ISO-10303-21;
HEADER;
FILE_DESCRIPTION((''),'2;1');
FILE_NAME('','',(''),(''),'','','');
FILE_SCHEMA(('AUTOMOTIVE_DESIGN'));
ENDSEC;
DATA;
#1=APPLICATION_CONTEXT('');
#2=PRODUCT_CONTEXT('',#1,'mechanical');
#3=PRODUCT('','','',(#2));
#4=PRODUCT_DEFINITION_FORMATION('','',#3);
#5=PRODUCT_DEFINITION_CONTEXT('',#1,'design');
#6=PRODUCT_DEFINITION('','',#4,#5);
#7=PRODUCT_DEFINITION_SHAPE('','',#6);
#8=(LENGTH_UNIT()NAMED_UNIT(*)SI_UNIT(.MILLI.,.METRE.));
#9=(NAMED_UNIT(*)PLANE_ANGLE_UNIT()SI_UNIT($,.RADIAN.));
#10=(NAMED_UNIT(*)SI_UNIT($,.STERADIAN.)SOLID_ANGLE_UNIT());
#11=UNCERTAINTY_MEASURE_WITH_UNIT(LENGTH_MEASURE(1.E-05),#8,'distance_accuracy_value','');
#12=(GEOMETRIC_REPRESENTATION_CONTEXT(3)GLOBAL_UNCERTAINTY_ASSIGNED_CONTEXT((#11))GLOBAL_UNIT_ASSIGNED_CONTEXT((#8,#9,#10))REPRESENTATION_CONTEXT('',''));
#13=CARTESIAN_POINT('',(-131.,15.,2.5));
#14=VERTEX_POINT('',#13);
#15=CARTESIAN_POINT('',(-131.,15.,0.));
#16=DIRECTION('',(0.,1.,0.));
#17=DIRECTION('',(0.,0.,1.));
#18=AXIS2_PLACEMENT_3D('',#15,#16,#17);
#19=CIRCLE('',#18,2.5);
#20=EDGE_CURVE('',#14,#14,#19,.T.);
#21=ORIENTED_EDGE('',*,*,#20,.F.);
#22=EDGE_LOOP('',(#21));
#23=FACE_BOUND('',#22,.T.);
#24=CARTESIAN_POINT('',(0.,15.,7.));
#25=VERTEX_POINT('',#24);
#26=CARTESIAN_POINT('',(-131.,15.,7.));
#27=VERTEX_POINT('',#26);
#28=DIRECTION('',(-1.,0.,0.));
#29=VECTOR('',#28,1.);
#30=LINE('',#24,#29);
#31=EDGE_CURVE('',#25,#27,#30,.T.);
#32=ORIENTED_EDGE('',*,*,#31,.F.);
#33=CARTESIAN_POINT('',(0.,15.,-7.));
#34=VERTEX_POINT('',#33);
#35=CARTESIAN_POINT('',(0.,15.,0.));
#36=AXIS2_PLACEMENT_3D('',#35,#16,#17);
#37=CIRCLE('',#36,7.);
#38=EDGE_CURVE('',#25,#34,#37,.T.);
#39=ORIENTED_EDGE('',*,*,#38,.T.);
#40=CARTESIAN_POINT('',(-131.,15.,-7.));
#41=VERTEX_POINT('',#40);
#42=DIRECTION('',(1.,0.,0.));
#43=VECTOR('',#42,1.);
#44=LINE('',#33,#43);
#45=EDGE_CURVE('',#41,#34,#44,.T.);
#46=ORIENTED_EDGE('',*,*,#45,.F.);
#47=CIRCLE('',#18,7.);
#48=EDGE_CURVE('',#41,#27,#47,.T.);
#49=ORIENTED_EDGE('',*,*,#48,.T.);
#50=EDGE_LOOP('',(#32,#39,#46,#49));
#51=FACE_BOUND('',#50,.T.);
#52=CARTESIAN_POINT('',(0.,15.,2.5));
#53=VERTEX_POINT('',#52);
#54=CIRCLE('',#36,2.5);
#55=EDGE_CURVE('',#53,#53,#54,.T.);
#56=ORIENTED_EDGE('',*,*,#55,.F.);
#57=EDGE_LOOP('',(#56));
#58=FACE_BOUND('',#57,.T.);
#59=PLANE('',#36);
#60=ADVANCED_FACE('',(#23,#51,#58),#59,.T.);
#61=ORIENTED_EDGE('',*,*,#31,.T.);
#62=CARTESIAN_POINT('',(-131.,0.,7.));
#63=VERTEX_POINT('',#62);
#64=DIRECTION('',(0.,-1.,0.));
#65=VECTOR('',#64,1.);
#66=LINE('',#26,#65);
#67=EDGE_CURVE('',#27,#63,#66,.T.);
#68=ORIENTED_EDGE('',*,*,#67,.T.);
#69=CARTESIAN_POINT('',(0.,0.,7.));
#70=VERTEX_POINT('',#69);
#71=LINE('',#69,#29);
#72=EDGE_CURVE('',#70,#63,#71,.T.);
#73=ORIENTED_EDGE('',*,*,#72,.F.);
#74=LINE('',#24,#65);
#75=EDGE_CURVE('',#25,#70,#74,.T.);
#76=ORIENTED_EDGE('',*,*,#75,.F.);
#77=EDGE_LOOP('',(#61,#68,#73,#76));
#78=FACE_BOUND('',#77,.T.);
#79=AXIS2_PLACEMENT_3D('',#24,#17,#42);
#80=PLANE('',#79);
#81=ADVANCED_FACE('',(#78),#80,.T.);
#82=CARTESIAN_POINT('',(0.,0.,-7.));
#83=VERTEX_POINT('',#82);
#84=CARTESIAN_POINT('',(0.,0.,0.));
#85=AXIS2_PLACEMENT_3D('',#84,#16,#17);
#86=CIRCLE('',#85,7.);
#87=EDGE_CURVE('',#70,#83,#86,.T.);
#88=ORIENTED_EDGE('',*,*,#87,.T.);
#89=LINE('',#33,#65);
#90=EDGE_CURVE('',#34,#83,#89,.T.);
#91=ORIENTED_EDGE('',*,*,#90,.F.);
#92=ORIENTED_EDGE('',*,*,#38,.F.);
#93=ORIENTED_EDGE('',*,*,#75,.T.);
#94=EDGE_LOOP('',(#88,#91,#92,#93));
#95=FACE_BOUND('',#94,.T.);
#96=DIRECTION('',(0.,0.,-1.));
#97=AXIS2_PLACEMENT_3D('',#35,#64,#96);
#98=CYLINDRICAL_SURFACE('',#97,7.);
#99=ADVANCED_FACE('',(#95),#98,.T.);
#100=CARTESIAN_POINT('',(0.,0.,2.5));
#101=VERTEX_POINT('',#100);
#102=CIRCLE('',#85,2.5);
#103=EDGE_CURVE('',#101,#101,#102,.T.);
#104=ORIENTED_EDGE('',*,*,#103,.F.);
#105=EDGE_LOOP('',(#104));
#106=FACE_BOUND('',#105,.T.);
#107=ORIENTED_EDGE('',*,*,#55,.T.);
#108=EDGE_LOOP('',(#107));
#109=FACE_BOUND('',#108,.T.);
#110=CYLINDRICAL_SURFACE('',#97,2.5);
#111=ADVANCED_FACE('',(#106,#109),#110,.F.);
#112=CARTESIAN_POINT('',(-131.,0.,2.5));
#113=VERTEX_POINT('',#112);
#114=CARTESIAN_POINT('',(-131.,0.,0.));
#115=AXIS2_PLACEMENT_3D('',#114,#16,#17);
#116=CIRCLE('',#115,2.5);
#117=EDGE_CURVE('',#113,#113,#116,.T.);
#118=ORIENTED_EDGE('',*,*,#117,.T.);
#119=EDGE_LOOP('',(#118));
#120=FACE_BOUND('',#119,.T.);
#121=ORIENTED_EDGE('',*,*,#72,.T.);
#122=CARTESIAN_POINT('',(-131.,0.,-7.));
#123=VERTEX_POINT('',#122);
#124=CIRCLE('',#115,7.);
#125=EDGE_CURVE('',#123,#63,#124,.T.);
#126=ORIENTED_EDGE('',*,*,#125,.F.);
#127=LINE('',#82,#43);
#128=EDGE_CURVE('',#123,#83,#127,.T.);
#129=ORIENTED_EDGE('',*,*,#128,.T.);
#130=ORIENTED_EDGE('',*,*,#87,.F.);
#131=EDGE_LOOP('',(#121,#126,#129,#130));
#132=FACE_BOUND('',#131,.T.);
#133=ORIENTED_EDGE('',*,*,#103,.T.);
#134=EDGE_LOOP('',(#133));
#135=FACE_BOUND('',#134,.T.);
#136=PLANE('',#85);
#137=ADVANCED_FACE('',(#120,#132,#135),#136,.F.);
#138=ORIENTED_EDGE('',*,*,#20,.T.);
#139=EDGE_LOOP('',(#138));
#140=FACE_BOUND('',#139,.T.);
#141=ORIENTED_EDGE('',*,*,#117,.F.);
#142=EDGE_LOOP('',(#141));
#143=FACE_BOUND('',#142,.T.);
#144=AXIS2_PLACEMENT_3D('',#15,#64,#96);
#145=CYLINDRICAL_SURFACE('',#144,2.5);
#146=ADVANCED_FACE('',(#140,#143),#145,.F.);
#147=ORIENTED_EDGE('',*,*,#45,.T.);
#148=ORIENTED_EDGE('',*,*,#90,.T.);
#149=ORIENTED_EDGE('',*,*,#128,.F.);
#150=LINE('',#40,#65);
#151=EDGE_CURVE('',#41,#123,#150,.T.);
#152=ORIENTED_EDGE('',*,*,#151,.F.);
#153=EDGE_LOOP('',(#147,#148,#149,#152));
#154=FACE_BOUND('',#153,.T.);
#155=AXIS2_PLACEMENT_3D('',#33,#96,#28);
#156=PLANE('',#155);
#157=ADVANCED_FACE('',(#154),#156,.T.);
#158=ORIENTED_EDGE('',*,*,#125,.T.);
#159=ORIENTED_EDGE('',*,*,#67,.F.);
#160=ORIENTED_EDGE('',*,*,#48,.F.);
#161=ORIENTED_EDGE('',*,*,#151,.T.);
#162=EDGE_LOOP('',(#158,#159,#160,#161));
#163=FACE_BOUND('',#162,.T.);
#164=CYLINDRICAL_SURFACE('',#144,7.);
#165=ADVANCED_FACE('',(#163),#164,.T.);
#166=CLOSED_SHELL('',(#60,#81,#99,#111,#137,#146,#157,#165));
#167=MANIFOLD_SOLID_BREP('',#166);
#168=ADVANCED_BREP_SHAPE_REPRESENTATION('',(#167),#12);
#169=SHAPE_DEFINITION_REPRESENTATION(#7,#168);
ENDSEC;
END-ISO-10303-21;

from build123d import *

# Parameters (mm, degrees)
SKETCH1_R           = 7
SKETCH1_R_2         = 2.5
BOSS_EXTRUDE1_DEPTH = 15


with BuildPart() as part:
    # Sketch1 → Boss-Extrude1 (new body)
    # profile 1 of 3: a face of its own
    with BuildSketch(Plane(origin=(0, 0, 0), x_dir=(1, 0, 0), z_dir=(0, 1, 0))):
        with BuildLine():
            Line((0, 7), (-131, 7))
            ThreePointArc((-131, 7), (-126.050252532, 4.949747468), (-124, 0))
            ThreePointArc((-124, 0), (-126.050252532, -4.949747468), (-131, -7))
            Line((-131, -7), (-55.118468675, -7))
            Line((-55.118468675, -7), (0, -7))
            ThreePointArc((0, -7), (-7, 0), (0, 7))
        make_face()
    # profile 2 of 3: a face of its own
    with BuildSketch(Plane(origin=(0, 0, 0), x_dir=(1, 0, 0), z_dir=(0, 1, 0))):
        with Locations((-131, 0)):
            Circle(SKETCH1_R)
        with Locations(Location((-131, 0, 0), (0, 0, 270))):
            Circle(SKETCH1_R_2, mode=Mode.SUBTRACT)
    # profile 3 of 3: a face of its own
    with BuildSketch(Plane(origin=(0, 0, 0), x_dir=(1, 0, 0), z_dir=(0, 1, 0))):
        Circle(SKETCH1_R)
        with Locations(Location((0, 0, 0), (0, 0, 270))):
            Circle(SKETCH1_R_2, mode=Mode.SUBTRACT)
    extrude(amount=BOSS_EXTRUDE1_DEPTH)


solid = part.part
